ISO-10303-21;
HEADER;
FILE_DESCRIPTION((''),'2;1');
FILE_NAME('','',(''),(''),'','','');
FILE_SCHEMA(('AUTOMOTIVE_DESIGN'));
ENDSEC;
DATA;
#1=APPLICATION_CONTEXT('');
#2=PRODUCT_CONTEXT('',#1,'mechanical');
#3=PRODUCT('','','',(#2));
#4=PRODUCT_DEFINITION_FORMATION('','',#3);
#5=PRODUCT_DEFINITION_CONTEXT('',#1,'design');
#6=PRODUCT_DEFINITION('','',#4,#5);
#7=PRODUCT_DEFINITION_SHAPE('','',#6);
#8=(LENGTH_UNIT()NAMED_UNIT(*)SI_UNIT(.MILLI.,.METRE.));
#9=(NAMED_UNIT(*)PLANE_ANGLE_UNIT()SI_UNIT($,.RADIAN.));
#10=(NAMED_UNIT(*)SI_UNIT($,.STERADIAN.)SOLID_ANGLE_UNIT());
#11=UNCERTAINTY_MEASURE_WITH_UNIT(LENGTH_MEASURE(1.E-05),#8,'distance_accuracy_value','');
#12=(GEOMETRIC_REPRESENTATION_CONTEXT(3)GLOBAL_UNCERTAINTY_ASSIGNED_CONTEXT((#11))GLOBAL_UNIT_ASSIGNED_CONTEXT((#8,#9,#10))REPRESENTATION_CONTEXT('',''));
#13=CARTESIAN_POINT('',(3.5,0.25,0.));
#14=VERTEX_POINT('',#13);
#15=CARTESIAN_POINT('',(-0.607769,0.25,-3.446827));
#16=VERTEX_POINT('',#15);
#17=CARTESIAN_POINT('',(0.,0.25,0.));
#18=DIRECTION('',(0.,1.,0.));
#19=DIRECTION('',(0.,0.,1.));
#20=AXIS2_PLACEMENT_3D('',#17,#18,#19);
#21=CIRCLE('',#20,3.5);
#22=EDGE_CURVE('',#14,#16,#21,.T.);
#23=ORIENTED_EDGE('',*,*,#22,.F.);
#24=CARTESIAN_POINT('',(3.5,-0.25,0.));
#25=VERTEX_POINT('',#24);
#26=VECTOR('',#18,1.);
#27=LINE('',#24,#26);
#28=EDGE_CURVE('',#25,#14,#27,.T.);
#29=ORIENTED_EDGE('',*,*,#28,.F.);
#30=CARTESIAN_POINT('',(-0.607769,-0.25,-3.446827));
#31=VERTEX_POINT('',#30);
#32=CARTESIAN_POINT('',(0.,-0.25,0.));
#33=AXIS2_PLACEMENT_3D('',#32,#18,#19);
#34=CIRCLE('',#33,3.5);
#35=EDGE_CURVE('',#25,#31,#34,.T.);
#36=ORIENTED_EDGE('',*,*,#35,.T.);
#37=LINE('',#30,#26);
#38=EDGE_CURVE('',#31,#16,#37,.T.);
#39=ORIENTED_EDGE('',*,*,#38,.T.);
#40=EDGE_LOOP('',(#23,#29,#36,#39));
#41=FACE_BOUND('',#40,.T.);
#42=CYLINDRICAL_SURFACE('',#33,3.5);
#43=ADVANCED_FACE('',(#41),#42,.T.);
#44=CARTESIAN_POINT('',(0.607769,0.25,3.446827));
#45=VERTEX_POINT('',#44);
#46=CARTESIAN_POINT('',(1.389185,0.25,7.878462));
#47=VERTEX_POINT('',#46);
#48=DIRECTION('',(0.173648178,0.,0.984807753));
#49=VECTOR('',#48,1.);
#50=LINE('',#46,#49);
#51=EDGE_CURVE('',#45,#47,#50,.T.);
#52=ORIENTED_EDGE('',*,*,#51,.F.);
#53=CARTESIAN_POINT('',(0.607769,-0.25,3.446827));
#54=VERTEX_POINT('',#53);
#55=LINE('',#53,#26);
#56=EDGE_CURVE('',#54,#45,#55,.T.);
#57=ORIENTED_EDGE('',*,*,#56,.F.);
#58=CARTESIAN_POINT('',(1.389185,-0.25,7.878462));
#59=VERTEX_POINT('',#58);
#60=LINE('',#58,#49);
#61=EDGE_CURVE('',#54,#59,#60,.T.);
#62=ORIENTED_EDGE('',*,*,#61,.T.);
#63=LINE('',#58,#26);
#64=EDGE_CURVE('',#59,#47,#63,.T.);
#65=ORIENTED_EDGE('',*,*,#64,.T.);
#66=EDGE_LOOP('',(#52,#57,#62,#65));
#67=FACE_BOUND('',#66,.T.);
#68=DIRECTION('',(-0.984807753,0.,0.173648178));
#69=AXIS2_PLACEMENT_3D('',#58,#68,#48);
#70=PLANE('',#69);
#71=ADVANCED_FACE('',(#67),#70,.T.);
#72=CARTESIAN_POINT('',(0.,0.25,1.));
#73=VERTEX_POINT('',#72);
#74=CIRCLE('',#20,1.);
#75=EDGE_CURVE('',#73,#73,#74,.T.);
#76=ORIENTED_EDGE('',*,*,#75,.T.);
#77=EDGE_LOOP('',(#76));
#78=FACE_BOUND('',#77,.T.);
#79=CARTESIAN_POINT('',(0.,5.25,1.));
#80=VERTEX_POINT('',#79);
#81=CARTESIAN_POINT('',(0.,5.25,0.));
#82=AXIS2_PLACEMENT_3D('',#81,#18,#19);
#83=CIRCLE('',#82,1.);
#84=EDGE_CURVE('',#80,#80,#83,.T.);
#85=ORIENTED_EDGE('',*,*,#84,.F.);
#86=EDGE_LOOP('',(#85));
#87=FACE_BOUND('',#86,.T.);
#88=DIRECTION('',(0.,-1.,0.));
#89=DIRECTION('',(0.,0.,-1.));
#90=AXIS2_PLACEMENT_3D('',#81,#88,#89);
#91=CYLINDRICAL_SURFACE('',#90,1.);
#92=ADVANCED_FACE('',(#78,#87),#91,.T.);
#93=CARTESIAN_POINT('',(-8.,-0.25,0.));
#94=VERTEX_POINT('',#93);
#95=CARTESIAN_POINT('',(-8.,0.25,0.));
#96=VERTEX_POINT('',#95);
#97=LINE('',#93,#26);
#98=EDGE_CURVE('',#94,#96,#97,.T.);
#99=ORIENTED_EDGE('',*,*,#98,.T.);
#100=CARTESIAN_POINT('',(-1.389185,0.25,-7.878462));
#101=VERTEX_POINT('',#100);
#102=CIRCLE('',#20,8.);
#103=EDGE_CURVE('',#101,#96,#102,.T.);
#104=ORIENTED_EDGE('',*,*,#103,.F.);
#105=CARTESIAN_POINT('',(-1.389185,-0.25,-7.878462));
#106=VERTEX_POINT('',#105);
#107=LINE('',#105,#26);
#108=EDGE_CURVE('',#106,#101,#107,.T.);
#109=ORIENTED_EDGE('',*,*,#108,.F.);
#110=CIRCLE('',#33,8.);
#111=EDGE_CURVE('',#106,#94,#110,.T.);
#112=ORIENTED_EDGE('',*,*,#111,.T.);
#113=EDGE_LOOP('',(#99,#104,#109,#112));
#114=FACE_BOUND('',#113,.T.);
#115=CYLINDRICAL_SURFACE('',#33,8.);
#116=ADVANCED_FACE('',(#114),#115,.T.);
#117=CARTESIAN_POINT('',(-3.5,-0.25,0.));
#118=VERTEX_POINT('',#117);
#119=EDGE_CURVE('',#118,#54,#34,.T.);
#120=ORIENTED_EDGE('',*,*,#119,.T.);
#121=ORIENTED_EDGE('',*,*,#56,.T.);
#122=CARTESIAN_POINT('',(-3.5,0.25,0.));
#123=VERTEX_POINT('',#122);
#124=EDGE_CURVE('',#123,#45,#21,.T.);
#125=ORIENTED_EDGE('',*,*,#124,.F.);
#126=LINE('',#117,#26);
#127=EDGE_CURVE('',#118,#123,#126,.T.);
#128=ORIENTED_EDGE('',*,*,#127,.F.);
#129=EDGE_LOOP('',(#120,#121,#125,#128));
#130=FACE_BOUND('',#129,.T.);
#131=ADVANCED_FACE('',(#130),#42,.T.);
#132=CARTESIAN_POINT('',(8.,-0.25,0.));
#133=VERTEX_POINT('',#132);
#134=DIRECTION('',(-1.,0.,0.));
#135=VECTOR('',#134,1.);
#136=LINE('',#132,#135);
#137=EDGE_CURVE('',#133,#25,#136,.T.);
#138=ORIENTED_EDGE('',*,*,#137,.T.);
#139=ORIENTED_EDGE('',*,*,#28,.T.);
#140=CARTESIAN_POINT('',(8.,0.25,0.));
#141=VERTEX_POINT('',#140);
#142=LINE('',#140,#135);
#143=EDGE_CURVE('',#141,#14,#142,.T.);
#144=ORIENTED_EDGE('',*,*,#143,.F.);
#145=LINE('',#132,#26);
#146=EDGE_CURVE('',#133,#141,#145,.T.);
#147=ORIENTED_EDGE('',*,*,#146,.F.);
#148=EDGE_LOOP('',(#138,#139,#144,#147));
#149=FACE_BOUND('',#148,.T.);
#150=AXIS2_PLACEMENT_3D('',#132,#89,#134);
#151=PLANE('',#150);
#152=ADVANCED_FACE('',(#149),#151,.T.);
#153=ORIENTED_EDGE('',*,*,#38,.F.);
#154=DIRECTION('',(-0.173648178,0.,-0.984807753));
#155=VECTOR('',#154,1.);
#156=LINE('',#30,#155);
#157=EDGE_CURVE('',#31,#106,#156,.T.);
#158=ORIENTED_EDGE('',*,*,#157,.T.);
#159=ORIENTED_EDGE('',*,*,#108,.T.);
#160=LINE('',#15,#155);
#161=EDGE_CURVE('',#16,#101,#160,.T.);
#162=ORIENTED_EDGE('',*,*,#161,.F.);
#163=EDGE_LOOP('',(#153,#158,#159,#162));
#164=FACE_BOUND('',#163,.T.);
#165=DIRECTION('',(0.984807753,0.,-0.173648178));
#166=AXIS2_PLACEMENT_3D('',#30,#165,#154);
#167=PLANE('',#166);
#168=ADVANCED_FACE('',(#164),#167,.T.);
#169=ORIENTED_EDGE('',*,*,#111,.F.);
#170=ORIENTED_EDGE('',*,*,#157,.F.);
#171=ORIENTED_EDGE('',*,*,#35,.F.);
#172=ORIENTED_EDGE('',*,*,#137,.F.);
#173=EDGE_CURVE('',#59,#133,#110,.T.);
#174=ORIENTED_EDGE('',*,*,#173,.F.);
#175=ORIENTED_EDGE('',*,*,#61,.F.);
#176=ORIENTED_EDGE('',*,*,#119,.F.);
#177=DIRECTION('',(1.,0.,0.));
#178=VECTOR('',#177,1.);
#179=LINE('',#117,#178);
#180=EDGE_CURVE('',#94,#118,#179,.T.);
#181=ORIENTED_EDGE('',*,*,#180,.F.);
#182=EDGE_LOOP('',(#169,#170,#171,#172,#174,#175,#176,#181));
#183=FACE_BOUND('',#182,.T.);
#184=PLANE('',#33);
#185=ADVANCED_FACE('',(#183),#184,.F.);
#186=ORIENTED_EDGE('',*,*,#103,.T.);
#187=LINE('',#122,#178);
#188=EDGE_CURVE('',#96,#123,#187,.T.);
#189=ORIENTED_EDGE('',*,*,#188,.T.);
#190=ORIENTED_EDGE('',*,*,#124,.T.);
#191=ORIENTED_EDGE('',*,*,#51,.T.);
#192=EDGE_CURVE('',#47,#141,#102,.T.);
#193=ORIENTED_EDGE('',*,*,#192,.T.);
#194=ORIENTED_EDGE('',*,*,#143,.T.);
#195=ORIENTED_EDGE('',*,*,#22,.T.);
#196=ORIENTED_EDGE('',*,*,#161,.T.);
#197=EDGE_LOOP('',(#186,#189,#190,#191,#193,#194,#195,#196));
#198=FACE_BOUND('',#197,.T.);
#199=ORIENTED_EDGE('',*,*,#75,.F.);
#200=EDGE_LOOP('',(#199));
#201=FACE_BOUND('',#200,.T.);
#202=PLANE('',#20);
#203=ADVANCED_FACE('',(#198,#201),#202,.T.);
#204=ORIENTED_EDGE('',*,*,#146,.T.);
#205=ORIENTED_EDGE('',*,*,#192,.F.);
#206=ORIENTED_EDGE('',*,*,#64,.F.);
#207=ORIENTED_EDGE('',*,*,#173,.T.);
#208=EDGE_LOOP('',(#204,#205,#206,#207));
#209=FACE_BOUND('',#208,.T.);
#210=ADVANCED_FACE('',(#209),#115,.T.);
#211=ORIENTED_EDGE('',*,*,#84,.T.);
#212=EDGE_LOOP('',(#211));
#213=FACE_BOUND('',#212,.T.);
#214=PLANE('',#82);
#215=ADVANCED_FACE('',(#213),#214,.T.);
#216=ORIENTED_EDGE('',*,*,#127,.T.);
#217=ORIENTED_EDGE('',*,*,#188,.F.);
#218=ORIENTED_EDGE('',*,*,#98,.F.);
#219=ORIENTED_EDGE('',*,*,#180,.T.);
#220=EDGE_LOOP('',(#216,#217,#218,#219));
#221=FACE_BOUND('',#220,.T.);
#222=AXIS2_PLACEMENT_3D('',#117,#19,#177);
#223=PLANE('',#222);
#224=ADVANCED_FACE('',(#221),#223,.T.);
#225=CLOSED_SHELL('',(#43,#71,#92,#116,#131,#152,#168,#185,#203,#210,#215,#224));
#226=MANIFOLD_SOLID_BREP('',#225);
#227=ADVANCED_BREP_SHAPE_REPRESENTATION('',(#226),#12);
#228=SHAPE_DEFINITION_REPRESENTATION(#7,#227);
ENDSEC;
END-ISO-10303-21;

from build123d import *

# Parameters (mm, degrees)
SALIENTE_EXTRUIR1_DEPTH      = 0.25
SALIENTE_EXTRUIR1_DEPTH_BACK = 0.25
CROQUIS2_R                   = 1
SALIENTE_EXTRUIR2_DEPTH      = 5


with BuildPart() as part:
    # Croquis1 → Saliente-Extruir1 (new, two sides: drawn at the far end of the back side and taken through both)
    with BuildSketch(Plane(origin=(0, 0, 0), x_dir=(1, 0, 0), z_dir=(0, 1, 0)).offset(-SALIENTE_EXTRUIR1_DEPTH_BACK)):
        with BuildLine():
            Line((8, 0), (3.5, 0))
            ThreePointArc((3.5, 0), (2.249756634, 2.681155551), (-0.607768622, 3.446827136))
            Line((-0.607768622, 3.446827136), (-1.389185421, 7.878462024))
            ThreePointArc((-1.389185421, 7.878462024), (-6.128355545, 5.142300877), (-8, 0))
            Line((-8, 0), (-3.5, 0))
            ThreePointArc((-3.5, 0), (-2.249756634, -2.681155551), (0.607768622, -3.446827136))
            Line((0.607768622, -3.446827136), (1.389185421, -7.878462024))
            ThreePointArc((1.389185421, -7.878462024), (6.128355545, -5.142300877), (8, 0))
        make_face()
    extrude(amount=SALIENTE_EXTRUIR1_DEPTH + SALIENTE_EXTRUIR1_DEPTH_BACK)

    # Croquis2 → Saliente-Extruir2 (add)
    with BuildSketch(Plane(origin=(0, 0.25, 0), x_dir=(1, 0, 0), z_dir=(0, 1, 0))):
        Circle(CROQUIS2_R)
    extrude(amount=SALIENTE_EXTRUIR2_DEPTH)


solid = part.part
